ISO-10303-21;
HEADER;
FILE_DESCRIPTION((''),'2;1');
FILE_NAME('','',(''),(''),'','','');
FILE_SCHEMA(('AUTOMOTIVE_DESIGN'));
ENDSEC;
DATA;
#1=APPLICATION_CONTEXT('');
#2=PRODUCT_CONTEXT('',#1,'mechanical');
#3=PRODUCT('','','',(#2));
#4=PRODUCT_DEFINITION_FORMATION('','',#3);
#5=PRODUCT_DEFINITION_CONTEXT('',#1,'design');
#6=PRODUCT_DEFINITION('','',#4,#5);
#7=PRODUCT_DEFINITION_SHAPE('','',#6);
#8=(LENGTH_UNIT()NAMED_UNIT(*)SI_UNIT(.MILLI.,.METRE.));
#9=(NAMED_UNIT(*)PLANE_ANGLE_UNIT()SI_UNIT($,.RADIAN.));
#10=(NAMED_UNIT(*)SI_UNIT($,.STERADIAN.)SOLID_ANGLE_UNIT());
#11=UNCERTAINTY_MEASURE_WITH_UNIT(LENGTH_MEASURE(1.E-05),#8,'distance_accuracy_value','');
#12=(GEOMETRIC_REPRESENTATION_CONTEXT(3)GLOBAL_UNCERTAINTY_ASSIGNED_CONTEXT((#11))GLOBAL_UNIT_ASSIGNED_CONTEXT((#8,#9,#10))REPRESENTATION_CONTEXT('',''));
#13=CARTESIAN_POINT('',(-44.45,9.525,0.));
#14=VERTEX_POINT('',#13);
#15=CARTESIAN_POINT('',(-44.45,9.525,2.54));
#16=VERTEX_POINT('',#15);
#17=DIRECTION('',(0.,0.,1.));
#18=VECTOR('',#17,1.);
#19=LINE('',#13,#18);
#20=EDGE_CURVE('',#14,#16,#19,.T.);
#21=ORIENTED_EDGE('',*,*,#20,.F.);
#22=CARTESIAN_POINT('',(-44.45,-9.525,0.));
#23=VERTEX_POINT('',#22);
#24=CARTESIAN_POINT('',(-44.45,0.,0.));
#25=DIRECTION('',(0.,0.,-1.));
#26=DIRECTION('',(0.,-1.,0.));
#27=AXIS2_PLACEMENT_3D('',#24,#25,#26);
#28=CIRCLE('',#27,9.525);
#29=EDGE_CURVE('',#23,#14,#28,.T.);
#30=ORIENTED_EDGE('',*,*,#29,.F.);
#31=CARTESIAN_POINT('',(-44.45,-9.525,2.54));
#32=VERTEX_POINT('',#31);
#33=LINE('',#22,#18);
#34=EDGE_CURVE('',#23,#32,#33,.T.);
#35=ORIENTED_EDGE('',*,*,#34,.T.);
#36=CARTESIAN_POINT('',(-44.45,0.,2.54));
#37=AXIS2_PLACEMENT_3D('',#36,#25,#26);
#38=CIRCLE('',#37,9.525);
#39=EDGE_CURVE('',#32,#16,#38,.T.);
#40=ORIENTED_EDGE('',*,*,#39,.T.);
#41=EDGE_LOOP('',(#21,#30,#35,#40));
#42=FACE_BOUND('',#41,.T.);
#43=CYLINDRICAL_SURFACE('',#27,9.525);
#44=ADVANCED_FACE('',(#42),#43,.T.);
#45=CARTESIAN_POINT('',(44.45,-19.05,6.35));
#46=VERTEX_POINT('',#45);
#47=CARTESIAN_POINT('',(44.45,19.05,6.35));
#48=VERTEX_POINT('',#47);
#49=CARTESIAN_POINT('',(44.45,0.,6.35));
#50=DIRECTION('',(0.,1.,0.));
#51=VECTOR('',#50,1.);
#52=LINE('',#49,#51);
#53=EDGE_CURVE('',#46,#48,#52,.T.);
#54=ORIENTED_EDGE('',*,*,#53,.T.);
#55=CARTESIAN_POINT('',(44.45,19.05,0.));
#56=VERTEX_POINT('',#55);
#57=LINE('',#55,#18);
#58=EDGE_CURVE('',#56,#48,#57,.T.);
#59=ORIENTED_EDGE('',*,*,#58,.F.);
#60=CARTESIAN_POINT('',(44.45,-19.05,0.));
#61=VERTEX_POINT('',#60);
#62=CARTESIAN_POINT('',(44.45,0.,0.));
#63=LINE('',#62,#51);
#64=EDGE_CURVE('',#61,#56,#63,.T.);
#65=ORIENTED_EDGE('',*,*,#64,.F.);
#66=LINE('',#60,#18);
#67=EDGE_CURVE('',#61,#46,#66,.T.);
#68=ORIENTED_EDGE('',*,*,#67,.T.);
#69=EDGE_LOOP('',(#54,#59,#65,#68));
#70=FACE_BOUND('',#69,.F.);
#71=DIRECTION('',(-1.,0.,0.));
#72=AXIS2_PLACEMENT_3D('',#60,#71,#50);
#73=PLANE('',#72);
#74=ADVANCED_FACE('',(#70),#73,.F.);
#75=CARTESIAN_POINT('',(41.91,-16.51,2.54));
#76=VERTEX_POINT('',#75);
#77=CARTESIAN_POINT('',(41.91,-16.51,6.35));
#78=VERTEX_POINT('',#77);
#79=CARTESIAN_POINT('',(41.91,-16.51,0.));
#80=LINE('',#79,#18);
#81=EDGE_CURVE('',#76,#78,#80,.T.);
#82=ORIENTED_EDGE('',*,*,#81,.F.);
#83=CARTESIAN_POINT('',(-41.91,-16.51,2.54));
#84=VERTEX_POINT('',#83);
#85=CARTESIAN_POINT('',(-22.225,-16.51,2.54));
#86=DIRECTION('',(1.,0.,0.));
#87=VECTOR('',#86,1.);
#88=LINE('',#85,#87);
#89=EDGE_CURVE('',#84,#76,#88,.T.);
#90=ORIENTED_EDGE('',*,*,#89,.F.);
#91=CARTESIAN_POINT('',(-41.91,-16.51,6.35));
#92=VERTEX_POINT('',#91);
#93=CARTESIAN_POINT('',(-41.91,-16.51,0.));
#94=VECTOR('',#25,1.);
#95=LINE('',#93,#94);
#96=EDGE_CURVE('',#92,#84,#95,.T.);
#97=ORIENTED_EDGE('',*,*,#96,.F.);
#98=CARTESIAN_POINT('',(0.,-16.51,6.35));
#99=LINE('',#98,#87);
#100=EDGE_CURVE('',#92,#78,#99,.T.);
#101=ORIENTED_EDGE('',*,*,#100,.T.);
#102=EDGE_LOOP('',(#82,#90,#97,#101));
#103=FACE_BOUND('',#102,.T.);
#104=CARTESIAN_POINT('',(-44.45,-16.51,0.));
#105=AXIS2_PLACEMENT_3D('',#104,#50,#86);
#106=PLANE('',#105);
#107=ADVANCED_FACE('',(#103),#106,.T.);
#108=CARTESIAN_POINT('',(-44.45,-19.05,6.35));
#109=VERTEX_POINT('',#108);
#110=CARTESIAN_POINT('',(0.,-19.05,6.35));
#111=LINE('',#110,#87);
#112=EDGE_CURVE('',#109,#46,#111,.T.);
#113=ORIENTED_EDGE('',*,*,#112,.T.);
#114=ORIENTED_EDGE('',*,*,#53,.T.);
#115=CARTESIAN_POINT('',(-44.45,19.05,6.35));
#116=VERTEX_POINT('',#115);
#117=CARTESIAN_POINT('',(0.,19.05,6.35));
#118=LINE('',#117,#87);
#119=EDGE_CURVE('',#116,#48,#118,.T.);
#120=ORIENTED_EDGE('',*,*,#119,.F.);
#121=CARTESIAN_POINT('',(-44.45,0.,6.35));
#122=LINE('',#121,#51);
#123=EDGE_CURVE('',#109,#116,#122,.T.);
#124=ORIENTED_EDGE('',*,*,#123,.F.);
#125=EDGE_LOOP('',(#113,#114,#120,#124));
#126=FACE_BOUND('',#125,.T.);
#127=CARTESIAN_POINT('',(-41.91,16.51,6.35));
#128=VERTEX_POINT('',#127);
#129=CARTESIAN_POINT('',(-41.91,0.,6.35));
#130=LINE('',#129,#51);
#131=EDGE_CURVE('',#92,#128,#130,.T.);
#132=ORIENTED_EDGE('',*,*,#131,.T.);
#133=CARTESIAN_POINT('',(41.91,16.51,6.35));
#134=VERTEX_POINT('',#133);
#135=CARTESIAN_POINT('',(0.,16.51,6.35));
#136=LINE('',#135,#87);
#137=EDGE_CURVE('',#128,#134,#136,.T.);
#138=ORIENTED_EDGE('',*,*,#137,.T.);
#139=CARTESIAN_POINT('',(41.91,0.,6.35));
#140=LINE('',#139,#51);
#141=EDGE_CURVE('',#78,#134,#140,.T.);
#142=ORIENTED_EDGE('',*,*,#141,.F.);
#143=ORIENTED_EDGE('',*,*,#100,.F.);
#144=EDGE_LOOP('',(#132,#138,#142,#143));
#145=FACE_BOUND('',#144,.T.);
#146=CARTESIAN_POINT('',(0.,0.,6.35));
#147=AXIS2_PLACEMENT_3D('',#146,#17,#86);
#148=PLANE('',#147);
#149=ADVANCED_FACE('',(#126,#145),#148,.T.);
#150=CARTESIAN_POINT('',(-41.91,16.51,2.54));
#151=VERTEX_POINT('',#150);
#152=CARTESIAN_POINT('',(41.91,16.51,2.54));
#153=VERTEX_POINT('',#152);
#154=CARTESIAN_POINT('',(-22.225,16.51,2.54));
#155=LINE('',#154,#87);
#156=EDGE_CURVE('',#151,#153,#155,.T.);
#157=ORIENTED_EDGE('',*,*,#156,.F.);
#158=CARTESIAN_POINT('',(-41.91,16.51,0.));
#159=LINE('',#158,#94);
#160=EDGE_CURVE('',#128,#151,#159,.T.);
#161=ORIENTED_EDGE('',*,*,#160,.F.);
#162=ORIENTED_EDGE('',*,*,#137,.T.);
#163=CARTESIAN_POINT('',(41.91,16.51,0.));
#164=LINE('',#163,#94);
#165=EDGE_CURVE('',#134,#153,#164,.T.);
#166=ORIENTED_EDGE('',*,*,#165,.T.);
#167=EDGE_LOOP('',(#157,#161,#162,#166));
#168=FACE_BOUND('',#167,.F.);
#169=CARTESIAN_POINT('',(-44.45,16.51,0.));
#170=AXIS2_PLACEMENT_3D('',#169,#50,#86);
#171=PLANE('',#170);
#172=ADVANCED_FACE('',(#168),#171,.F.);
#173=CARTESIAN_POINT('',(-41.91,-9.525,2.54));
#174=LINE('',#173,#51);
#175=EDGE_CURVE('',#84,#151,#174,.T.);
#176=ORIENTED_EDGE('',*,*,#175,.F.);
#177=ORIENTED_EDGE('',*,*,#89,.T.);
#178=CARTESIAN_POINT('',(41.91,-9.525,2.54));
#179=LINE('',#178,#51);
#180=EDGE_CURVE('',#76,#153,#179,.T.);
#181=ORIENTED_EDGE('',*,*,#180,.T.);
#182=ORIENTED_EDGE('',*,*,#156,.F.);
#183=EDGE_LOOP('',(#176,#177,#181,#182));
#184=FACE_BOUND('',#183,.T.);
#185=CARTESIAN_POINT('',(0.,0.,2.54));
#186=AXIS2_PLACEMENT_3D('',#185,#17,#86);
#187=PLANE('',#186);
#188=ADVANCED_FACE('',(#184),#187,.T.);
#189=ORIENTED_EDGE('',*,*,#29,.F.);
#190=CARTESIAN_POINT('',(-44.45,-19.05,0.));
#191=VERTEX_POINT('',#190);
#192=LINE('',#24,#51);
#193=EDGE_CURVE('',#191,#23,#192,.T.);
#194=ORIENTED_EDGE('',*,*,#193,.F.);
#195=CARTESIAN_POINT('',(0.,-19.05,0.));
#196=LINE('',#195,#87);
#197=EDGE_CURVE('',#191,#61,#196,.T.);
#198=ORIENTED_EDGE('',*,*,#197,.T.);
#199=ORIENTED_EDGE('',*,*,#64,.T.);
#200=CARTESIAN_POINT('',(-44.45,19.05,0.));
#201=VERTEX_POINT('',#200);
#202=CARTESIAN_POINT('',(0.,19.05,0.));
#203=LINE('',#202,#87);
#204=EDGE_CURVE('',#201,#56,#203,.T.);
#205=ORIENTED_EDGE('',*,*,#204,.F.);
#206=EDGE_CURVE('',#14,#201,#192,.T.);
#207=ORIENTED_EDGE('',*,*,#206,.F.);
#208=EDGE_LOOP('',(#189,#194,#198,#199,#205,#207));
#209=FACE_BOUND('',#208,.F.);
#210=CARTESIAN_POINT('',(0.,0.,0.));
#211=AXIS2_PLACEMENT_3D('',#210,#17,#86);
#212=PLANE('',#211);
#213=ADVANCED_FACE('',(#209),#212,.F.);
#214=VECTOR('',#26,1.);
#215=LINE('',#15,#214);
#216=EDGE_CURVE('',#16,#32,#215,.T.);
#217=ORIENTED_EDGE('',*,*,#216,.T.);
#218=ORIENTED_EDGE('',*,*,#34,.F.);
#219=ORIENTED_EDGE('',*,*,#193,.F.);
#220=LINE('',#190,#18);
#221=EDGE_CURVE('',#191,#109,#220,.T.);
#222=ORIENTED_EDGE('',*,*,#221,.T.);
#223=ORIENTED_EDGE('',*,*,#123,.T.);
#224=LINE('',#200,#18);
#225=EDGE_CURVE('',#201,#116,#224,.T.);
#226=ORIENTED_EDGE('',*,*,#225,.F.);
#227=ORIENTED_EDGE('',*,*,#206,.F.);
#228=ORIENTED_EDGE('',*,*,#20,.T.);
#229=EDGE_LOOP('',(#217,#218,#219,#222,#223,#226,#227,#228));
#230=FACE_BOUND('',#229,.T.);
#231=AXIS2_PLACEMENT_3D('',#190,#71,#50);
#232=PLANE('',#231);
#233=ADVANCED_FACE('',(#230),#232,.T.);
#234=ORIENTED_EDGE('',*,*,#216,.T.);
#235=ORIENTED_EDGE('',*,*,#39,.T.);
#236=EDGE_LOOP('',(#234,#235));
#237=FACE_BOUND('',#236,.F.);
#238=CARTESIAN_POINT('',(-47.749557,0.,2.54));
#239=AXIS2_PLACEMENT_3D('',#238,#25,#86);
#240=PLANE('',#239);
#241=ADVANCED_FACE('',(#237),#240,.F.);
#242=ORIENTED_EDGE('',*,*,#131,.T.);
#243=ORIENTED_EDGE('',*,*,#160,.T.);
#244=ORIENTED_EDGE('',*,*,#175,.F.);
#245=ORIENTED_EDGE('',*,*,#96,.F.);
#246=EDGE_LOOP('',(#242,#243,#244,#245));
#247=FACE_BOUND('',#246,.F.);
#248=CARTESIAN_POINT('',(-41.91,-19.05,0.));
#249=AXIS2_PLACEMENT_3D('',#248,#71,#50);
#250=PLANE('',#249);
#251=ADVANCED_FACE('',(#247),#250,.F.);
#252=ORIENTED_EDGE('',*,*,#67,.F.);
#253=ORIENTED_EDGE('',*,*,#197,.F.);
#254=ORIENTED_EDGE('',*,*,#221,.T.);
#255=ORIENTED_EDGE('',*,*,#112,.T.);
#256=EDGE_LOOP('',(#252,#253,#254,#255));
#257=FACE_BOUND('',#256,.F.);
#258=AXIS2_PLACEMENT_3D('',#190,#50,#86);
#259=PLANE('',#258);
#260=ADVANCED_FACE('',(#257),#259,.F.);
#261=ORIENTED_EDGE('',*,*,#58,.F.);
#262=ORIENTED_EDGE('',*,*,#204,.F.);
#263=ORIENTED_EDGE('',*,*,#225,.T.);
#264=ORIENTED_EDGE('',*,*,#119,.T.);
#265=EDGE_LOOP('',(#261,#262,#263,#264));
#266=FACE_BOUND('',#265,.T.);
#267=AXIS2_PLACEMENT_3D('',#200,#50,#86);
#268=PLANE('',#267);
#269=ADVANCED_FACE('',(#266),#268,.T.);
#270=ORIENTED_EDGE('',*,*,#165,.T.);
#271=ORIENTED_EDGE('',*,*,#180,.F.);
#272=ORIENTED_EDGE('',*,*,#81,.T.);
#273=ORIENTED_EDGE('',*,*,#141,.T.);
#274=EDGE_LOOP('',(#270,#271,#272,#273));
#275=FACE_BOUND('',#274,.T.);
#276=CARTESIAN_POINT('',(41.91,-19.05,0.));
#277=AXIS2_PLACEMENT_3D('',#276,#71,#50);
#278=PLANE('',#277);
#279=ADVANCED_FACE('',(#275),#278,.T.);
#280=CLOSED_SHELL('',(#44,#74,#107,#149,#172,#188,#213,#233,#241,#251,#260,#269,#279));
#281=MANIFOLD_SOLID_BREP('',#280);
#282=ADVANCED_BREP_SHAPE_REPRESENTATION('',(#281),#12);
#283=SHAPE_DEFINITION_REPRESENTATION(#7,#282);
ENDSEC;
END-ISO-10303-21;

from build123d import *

# Parameters (mm, degrees)
F0_W     = 88.9
F0_H     = 38.1
F1_DEPTH = 6.35
F2_T     = -2.54
F4_DEPTH = 2.54


with BuildPart() as f1:
    # F0 (on Top) → F1 (new body)
    with BuildSketch(Plane.XY):
        Rectangle(F0_W, F0_H)
    extrude(amount=F1_DEPTH)

    # F2
    f2_openings = [f1.faces().sort_by_distance(p)[0] for p in [
        (0, 0, 6.35),
    ]]
    offset(amount=F2_T, openings=f2_openings)

    # F3 (on face) → F4 (join)
    with BuildSketch(Plane(origin=(0, 0, 0), x_dir=(1, 0, 0), z_dir=(0, 0, -1))):
        with BuildLine():
            Line((-44.45, -9.525), (-44.45, 9.525))
            ThreePointArc((-44.45, 9.525), (-53.975, 0), (-44.45, -9.525))
        make_face()
    extrude(amount=-F4_DEPTH)


solid = f1.part
